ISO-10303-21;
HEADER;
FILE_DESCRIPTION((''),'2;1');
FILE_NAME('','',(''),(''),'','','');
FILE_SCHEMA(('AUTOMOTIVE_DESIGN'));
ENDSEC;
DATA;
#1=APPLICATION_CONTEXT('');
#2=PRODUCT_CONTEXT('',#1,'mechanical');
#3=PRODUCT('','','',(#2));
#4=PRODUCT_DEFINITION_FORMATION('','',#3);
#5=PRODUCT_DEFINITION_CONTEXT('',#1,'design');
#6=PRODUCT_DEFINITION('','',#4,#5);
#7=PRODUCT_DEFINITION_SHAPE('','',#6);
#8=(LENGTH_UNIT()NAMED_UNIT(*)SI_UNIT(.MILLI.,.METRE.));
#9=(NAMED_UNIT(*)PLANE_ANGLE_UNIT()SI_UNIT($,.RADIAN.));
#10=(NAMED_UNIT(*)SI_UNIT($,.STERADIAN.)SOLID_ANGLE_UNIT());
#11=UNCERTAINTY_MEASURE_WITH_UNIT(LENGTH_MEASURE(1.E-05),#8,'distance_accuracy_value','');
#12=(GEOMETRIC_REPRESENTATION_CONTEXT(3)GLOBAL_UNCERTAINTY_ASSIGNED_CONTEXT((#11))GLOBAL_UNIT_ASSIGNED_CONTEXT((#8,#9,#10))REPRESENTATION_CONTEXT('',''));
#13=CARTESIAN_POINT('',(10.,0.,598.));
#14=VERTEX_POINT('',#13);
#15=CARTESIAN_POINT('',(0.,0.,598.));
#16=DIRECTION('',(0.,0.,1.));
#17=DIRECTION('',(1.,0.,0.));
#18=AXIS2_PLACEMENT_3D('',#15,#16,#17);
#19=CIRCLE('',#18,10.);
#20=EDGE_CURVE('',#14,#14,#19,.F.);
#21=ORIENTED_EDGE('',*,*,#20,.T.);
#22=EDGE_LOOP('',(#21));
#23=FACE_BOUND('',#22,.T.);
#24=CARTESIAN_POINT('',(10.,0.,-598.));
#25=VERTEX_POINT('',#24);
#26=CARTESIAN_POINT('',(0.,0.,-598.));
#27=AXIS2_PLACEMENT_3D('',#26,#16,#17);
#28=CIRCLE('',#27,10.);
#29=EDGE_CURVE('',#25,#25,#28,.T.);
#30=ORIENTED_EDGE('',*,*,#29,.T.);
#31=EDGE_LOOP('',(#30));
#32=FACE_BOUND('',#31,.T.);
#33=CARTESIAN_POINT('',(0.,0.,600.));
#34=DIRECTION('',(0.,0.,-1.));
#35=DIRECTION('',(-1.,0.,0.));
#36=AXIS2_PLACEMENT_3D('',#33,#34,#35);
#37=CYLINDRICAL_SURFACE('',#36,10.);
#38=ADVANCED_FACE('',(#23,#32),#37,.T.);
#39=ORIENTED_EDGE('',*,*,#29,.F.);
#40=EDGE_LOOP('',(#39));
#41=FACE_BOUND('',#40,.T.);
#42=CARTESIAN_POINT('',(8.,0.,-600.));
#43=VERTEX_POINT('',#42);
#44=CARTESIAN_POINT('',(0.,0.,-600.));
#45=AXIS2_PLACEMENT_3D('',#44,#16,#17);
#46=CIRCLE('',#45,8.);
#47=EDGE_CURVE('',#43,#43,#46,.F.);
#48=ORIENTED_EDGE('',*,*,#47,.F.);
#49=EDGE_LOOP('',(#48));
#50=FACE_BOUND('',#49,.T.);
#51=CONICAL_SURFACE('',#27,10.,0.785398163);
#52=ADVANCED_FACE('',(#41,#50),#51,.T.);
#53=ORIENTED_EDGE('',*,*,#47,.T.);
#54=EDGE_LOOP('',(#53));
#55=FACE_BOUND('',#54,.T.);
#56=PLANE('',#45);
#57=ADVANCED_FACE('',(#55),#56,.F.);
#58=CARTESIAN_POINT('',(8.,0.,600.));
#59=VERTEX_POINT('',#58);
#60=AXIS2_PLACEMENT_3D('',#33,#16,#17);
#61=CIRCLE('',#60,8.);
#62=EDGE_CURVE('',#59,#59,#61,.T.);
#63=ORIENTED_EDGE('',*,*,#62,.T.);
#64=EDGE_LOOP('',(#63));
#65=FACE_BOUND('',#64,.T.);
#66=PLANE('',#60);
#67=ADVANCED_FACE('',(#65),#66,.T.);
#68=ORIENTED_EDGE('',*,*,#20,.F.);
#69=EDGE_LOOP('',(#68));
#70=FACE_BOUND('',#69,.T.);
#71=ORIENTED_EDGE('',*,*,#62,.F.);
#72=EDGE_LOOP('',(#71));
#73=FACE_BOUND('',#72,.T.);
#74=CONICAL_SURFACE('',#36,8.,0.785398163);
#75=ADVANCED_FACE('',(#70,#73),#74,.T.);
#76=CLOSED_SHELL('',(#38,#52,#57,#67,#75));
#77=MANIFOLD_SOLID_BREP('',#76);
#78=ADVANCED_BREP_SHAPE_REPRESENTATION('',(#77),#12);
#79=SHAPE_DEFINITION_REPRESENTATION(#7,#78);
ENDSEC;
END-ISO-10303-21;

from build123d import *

# Parameters (mm, degrees)
SKETCH1_R      = 10
EXTRUDE1_DEPTH = 600
CHAMFER1_SIZE  = 2


with BuildPart() as part:
    # Sketch1 → Extrude1 (new body, symmetric)
    with BuildSketch(Plane.XY):
        Circle(SKETCH1_R)
    extrude(amount=EXTRUDE1_DEPTH, both=True)

    # Chamfer1
    chamfer1_edges = [part.edges().sort_by_distance(p)[0] for p in [
        (-10, 0, -600),
        (-10, 0, 600),
    ]]
    chamfer(chamfer1_edges, length=CHAMFER1_SIZE)


solid = part.part
